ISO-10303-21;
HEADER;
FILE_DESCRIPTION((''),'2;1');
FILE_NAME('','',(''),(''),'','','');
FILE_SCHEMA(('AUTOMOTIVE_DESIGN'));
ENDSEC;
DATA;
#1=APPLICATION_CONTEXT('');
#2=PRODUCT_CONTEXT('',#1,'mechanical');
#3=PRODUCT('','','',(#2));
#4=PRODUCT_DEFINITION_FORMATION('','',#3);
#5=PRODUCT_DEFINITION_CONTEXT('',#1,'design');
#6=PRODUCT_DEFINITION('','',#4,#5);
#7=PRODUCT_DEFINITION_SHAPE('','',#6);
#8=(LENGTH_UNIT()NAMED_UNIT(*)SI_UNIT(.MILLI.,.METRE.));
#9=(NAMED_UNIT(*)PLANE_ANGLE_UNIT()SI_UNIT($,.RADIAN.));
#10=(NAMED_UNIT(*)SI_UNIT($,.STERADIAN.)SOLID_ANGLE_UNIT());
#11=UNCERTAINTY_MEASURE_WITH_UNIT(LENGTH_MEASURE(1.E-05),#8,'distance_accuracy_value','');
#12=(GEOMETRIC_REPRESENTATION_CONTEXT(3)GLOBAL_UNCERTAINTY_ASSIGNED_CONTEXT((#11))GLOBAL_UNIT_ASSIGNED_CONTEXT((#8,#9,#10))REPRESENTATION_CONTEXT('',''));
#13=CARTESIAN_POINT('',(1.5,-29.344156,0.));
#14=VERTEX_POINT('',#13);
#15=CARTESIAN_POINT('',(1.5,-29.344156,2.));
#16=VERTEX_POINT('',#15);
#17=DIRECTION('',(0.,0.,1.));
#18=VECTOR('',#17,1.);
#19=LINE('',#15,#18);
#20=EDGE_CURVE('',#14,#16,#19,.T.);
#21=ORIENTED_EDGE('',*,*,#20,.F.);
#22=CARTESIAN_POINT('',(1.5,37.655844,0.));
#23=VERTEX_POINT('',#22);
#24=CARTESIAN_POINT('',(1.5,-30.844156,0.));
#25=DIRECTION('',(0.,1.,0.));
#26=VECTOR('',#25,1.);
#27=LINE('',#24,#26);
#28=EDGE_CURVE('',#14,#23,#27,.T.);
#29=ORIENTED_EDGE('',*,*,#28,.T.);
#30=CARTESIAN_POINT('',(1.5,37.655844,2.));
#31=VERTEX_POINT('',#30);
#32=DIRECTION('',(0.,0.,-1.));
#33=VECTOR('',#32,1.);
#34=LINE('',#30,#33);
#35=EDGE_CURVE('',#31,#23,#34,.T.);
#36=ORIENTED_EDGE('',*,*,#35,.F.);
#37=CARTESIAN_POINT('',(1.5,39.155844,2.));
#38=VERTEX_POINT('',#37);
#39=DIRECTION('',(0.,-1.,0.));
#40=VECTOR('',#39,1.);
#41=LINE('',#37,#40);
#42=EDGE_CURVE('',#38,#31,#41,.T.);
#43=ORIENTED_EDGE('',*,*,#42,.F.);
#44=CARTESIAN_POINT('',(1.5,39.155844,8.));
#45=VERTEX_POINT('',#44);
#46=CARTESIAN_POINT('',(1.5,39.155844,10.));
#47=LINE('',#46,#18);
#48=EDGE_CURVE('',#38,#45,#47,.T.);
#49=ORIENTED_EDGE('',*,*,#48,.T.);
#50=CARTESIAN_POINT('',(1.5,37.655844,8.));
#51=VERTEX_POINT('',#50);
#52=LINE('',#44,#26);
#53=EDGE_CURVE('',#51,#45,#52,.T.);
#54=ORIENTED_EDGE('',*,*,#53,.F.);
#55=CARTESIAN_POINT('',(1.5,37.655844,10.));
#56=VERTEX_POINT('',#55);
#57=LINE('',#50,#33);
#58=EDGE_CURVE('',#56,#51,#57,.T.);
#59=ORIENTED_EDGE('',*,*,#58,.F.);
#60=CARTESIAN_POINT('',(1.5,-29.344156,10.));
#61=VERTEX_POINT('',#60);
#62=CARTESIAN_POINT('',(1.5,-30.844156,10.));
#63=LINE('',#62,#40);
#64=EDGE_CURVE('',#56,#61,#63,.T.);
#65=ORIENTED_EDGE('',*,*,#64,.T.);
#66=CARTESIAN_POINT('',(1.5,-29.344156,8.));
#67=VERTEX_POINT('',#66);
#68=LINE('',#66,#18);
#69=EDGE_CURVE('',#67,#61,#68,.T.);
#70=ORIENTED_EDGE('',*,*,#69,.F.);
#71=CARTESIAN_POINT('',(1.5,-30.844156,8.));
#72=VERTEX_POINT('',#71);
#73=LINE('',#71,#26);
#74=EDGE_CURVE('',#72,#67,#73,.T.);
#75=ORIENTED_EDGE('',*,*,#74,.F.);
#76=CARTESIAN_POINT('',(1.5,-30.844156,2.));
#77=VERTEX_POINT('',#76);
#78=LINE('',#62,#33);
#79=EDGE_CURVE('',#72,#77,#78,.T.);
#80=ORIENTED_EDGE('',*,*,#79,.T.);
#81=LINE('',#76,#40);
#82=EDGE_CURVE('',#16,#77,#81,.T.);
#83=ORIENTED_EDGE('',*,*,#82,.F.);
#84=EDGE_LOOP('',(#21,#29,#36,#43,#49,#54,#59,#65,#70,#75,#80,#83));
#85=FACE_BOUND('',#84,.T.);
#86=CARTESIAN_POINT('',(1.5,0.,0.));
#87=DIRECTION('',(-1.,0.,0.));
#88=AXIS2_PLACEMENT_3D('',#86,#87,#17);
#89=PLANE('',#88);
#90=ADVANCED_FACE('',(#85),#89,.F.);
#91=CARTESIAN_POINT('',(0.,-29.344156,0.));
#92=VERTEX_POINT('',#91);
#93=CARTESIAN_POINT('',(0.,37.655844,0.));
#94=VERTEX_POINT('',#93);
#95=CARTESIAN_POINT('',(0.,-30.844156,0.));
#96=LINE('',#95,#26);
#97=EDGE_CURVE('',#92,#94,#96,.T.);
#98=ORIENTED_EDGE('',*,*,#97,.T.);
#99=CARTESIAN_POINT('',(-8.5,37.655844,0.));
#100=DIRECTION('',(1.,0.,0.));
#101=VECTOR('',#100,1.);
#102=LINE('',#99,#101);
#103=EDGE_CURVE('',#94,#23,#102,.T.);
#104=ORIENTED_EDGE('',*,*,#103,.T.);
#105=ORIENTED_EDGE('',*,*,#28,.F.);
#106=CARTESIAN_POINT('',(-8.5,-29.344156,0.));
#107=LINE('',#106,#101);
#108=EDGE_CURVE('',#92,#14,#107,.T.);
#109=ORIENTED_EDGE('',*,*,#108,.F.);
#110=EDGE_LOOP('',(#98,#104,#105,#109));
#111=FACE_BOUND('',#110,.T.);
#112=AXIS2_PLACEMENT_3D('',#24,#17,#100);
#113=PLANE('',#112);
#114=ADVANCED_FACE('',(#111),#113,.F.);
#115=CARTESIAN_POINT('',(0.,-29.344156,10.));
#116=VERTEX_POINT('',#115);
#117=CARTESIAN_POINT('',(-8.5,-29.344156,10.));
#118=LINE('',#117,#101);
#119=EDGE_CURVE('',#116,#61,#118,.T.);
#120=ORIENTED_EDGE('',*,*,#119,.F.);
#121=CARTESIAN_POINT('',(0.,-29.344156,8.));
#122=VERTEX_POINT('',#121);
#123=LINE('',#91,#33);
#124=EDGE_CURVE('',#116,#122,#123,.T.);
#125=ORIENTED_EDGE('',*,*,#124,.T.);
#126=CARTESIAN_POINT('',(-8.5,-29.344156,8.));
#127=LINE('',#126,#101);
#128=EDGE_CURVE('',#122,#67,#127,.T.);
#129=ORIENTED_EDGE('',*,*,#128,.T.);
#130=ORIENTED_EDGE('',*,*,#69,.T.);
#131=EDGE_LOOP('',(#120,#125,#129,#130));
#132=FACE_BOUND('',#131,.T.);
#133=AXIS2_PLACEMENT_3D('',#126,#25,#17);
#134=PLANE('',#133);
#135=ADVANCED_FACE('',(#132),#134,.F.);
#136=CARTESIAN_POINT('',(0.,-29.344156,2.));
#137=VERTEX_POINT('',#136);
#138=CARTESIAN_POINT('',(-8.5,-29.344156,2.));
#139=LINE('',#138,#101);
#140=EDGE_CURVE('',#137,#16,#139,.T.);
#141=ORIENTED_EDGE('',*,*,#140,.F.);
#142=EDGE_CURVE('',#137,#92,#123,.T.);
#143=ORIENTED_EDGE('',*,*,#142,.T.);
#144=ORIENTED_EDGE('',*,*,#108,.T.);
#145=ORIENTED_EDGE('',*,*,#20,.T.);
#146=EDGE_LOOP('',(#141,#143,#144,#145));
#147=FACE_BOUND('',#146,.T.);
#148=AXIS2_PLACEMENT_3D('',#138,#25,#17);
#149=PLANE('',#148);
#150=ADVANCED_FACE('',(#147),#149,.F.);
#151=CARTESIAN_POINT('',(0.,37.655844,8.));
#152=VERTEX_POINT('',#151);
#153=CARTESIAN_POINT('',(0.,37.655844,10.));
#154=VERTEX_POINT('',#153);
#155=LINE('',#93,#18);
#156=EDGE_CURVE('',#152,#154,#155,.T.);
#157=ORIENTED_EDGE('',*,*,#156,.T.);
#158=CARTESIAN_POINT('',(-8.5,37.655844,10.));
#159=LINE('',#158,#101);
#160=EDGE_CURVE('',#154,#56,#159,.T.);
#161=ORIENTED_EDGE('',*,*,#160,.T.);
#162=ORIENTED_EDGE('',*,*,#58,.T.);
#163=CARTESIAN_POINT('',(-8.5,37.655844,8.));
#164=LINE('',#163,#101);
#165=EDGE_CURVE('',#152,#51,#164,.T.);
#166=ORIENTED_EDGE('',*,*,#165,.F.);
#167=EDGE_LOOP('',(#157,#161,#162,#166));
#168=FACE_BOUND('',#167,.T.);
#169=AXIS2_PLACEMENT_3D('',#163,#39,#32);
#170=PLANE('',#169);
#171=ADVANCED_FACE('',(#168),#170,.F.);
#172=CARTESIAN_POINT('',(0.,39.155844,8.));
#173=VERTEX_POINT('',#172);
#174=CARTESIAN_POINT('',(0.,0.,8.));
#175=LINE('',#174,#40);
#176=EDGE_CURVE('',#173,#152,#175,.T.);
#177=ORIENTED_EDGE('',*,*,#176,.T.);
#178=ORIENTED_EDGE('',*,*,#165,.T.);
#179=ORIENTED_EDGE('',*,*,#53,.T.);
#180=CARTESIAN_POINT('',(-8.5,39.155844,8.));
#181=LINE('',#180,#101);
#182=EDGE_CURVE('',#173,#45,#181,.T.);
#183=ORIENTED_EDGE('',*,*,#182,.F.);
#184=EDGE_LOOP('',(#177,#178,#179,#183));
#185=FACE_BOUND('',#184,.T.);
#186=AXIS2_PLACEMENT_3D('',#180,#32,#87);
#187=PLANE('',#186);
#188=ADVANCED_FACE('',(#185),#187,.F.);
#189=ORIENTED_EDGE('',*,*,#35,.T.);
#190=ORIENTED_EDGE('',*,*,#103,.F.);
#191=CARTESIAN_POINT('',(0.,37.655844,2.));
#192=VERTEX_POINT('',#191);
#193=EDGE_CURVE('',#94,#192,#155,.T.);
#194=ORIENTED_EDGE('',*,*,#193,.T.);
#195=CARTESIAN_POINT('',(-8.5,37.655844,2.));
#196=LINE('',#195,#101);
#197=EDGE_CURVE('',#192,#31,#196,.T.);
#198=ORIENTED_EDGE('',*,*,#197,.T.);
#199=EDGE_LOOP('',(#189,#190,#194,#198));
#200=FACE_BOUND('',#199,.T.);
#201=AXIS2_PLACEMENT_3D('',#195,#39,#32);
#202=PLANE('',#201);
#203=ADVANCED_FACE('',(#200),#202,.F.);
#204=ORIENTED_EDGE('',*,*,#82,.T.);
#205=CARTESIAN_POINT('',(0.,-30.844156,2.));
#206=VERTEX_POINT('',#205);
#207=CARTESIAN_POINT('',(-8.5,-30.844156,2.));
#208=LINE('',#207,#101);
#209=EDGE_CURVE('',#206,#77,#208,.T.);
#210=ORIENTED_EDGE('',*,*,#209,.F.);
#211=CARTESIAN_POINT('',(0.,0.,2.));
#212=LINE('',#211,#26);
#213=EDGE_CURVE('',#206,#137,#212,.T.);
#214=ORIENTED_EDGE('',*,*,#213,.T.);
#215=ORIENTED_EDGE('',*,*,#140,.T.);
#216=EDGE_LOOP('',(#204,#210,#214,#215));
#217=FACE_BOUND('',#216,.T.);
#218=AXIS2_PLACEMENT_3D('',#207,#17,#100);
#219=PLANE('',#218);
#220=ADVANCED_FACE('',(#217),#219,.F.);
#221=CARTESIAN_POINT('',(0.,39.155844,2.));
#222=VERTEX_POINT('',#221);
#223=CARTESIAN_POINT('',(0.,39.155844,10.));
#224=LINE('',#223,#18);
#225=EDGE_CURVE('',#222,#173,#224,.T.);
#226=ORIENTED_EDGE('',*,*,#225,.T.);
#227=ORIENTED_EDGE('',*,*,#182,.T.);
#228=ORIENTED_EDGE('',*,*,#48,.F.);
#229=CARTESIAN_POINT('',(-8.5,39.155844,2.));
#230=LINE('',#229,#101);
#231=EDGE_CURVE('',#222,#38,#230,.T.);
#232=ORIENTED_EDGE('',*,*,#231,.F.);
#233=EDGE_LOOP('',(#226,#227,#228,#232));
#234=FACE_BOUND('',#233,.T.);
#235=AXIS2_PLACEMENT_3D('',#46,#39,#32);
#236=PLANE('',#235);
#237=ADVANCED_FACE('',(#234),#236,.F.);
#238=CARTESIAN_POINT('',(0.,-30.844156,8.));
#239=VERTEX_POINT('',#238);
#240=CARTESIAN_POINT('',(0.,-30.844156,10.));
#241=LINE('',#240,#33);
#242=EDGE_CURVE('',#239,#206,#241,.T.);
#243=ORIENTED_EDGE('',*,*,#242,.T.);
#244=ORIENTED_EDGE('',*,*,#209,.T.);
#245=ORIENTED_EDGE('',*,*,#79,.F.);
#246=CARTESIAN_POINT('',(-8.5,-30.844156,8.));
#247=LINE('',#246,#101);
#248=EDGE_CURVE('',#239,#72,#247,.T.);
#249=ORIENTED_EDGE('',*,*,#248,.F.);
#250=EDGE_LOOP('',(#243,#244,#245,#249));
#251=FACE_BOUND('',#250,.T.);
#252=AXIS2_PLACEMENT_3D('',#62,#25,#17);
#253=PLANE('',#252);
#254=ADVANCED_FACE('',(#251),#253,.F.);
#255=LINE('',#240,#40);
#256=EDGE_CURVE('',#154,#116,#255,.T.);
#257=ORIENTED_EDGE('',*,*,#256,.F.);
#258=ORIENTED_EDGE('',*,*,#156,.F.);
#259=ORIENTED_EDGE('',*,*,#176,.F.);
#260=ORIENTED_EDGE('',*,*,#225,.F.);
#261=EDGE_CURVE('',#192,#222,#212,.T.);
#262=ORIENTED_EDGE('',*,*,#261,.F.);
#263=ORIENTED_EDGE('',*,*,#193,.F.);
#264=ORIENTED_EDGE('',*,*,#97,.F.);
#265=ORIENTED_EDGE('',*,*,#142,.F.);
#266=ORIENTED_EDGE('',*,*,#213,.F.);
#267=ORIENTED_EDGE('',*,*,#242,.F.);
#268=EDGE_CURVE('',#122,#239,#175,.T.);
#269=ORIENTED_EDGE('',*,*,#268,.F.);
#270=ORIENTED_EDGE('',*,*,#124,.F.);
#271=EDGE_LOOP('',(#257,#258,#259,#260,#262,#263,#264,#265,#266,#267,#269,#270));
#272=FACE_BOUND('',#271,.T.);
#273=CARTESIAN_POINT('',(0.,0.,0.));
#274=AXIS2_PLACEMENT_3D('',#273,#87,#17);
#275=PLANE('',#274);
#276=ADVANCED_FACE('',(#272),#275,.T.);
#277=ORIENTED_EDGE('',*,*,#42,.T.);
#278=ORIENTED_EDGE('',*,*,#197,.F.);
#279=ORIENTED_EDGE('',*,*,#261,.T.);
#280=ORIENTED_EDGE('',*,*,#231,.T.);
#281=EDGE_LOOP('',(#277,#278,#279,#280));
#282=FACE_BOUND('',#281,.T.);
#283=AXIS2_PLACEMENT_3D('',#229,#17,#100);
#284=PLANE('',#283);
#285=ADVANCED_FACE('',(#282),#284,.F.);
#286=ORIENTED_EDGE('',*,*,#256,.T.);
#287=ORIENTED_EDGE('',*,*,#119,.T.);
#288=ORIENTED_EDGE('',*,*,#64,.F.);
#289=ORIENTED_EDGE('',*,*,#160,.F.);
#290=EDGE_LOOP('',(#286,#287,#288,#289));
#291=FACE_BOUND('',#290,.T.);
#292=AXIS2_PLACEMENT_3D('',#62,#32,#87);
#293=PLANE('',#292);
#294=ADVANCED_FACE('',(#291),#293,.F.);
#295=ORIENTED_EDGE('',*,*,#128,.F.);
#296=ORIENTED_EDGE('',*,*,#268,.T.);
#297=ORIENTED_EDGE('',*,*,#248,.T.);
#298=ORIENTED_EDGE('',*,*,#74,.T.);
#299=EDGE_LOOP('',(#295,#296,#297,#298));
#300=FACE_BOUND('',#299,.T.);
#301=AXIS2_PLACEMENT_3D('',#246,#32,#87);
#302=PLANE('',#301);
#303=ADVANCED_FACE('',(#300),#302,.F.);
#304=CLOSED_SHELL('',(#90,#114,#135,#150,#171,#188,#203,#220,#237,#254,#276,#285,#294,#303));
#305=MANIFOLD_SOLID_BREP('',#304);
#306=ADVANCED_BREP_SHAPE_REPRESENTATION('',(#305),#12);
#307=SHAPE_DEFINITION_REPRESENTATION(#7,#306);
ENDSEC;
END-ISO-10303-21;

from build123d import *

# Parameters (mm, degrees)
SKETCH1_W           = 10
SKETCH1_H           = 70
BOSS_EXTRUDE1_DEPTH = 1.5
SKETCH2_W           = 2
SKETCH2_H           = 1.5
CUT_EXTRUDE1_DEPTH  = 10


with BuildPart() as part:
    # Sketch1 → Boss-Extrude1 (new body)
    with BuildSketch(Plane(origin=(0, 0, 0), x_dir=(0, 0, -1), z_dir=(1, 0, 0))):
        with Locations((-5, 4.155844156)):
            Rectangle(SKETCH1_W, SKETCH1_H)
    extrude(amount=BOSS_EXTRUDE1_DEPTH)

    # Sketch2 → Cut-Extrude1 (cut)
    with BuildSketch(Plane(origin=(1.5, 0, 0), x_dir=(0, 0, -1), z_dir=(1, 0, 0))):
        with Locations((-9, 38.405844156)):
            Rectangle(SKETCH2_W, SKETCH2_H)
        with Locations((-1, 38.405844156)):
            Rectangle(SKETCH2_W, SKETCH2_H)
        with Locations((-1, -30.094155844)):
            Rectangle(SKETCH2_W, SKETCH2_H)
        with Locations((-9, -30.094155844)):
            Rectangle(SKETCH2_W, SKETCH2_H)
    extrude(amount=-CUT_EXTRUDE1_DEPTH, mode=Mode.SUBTRACT)


solid = part.part
